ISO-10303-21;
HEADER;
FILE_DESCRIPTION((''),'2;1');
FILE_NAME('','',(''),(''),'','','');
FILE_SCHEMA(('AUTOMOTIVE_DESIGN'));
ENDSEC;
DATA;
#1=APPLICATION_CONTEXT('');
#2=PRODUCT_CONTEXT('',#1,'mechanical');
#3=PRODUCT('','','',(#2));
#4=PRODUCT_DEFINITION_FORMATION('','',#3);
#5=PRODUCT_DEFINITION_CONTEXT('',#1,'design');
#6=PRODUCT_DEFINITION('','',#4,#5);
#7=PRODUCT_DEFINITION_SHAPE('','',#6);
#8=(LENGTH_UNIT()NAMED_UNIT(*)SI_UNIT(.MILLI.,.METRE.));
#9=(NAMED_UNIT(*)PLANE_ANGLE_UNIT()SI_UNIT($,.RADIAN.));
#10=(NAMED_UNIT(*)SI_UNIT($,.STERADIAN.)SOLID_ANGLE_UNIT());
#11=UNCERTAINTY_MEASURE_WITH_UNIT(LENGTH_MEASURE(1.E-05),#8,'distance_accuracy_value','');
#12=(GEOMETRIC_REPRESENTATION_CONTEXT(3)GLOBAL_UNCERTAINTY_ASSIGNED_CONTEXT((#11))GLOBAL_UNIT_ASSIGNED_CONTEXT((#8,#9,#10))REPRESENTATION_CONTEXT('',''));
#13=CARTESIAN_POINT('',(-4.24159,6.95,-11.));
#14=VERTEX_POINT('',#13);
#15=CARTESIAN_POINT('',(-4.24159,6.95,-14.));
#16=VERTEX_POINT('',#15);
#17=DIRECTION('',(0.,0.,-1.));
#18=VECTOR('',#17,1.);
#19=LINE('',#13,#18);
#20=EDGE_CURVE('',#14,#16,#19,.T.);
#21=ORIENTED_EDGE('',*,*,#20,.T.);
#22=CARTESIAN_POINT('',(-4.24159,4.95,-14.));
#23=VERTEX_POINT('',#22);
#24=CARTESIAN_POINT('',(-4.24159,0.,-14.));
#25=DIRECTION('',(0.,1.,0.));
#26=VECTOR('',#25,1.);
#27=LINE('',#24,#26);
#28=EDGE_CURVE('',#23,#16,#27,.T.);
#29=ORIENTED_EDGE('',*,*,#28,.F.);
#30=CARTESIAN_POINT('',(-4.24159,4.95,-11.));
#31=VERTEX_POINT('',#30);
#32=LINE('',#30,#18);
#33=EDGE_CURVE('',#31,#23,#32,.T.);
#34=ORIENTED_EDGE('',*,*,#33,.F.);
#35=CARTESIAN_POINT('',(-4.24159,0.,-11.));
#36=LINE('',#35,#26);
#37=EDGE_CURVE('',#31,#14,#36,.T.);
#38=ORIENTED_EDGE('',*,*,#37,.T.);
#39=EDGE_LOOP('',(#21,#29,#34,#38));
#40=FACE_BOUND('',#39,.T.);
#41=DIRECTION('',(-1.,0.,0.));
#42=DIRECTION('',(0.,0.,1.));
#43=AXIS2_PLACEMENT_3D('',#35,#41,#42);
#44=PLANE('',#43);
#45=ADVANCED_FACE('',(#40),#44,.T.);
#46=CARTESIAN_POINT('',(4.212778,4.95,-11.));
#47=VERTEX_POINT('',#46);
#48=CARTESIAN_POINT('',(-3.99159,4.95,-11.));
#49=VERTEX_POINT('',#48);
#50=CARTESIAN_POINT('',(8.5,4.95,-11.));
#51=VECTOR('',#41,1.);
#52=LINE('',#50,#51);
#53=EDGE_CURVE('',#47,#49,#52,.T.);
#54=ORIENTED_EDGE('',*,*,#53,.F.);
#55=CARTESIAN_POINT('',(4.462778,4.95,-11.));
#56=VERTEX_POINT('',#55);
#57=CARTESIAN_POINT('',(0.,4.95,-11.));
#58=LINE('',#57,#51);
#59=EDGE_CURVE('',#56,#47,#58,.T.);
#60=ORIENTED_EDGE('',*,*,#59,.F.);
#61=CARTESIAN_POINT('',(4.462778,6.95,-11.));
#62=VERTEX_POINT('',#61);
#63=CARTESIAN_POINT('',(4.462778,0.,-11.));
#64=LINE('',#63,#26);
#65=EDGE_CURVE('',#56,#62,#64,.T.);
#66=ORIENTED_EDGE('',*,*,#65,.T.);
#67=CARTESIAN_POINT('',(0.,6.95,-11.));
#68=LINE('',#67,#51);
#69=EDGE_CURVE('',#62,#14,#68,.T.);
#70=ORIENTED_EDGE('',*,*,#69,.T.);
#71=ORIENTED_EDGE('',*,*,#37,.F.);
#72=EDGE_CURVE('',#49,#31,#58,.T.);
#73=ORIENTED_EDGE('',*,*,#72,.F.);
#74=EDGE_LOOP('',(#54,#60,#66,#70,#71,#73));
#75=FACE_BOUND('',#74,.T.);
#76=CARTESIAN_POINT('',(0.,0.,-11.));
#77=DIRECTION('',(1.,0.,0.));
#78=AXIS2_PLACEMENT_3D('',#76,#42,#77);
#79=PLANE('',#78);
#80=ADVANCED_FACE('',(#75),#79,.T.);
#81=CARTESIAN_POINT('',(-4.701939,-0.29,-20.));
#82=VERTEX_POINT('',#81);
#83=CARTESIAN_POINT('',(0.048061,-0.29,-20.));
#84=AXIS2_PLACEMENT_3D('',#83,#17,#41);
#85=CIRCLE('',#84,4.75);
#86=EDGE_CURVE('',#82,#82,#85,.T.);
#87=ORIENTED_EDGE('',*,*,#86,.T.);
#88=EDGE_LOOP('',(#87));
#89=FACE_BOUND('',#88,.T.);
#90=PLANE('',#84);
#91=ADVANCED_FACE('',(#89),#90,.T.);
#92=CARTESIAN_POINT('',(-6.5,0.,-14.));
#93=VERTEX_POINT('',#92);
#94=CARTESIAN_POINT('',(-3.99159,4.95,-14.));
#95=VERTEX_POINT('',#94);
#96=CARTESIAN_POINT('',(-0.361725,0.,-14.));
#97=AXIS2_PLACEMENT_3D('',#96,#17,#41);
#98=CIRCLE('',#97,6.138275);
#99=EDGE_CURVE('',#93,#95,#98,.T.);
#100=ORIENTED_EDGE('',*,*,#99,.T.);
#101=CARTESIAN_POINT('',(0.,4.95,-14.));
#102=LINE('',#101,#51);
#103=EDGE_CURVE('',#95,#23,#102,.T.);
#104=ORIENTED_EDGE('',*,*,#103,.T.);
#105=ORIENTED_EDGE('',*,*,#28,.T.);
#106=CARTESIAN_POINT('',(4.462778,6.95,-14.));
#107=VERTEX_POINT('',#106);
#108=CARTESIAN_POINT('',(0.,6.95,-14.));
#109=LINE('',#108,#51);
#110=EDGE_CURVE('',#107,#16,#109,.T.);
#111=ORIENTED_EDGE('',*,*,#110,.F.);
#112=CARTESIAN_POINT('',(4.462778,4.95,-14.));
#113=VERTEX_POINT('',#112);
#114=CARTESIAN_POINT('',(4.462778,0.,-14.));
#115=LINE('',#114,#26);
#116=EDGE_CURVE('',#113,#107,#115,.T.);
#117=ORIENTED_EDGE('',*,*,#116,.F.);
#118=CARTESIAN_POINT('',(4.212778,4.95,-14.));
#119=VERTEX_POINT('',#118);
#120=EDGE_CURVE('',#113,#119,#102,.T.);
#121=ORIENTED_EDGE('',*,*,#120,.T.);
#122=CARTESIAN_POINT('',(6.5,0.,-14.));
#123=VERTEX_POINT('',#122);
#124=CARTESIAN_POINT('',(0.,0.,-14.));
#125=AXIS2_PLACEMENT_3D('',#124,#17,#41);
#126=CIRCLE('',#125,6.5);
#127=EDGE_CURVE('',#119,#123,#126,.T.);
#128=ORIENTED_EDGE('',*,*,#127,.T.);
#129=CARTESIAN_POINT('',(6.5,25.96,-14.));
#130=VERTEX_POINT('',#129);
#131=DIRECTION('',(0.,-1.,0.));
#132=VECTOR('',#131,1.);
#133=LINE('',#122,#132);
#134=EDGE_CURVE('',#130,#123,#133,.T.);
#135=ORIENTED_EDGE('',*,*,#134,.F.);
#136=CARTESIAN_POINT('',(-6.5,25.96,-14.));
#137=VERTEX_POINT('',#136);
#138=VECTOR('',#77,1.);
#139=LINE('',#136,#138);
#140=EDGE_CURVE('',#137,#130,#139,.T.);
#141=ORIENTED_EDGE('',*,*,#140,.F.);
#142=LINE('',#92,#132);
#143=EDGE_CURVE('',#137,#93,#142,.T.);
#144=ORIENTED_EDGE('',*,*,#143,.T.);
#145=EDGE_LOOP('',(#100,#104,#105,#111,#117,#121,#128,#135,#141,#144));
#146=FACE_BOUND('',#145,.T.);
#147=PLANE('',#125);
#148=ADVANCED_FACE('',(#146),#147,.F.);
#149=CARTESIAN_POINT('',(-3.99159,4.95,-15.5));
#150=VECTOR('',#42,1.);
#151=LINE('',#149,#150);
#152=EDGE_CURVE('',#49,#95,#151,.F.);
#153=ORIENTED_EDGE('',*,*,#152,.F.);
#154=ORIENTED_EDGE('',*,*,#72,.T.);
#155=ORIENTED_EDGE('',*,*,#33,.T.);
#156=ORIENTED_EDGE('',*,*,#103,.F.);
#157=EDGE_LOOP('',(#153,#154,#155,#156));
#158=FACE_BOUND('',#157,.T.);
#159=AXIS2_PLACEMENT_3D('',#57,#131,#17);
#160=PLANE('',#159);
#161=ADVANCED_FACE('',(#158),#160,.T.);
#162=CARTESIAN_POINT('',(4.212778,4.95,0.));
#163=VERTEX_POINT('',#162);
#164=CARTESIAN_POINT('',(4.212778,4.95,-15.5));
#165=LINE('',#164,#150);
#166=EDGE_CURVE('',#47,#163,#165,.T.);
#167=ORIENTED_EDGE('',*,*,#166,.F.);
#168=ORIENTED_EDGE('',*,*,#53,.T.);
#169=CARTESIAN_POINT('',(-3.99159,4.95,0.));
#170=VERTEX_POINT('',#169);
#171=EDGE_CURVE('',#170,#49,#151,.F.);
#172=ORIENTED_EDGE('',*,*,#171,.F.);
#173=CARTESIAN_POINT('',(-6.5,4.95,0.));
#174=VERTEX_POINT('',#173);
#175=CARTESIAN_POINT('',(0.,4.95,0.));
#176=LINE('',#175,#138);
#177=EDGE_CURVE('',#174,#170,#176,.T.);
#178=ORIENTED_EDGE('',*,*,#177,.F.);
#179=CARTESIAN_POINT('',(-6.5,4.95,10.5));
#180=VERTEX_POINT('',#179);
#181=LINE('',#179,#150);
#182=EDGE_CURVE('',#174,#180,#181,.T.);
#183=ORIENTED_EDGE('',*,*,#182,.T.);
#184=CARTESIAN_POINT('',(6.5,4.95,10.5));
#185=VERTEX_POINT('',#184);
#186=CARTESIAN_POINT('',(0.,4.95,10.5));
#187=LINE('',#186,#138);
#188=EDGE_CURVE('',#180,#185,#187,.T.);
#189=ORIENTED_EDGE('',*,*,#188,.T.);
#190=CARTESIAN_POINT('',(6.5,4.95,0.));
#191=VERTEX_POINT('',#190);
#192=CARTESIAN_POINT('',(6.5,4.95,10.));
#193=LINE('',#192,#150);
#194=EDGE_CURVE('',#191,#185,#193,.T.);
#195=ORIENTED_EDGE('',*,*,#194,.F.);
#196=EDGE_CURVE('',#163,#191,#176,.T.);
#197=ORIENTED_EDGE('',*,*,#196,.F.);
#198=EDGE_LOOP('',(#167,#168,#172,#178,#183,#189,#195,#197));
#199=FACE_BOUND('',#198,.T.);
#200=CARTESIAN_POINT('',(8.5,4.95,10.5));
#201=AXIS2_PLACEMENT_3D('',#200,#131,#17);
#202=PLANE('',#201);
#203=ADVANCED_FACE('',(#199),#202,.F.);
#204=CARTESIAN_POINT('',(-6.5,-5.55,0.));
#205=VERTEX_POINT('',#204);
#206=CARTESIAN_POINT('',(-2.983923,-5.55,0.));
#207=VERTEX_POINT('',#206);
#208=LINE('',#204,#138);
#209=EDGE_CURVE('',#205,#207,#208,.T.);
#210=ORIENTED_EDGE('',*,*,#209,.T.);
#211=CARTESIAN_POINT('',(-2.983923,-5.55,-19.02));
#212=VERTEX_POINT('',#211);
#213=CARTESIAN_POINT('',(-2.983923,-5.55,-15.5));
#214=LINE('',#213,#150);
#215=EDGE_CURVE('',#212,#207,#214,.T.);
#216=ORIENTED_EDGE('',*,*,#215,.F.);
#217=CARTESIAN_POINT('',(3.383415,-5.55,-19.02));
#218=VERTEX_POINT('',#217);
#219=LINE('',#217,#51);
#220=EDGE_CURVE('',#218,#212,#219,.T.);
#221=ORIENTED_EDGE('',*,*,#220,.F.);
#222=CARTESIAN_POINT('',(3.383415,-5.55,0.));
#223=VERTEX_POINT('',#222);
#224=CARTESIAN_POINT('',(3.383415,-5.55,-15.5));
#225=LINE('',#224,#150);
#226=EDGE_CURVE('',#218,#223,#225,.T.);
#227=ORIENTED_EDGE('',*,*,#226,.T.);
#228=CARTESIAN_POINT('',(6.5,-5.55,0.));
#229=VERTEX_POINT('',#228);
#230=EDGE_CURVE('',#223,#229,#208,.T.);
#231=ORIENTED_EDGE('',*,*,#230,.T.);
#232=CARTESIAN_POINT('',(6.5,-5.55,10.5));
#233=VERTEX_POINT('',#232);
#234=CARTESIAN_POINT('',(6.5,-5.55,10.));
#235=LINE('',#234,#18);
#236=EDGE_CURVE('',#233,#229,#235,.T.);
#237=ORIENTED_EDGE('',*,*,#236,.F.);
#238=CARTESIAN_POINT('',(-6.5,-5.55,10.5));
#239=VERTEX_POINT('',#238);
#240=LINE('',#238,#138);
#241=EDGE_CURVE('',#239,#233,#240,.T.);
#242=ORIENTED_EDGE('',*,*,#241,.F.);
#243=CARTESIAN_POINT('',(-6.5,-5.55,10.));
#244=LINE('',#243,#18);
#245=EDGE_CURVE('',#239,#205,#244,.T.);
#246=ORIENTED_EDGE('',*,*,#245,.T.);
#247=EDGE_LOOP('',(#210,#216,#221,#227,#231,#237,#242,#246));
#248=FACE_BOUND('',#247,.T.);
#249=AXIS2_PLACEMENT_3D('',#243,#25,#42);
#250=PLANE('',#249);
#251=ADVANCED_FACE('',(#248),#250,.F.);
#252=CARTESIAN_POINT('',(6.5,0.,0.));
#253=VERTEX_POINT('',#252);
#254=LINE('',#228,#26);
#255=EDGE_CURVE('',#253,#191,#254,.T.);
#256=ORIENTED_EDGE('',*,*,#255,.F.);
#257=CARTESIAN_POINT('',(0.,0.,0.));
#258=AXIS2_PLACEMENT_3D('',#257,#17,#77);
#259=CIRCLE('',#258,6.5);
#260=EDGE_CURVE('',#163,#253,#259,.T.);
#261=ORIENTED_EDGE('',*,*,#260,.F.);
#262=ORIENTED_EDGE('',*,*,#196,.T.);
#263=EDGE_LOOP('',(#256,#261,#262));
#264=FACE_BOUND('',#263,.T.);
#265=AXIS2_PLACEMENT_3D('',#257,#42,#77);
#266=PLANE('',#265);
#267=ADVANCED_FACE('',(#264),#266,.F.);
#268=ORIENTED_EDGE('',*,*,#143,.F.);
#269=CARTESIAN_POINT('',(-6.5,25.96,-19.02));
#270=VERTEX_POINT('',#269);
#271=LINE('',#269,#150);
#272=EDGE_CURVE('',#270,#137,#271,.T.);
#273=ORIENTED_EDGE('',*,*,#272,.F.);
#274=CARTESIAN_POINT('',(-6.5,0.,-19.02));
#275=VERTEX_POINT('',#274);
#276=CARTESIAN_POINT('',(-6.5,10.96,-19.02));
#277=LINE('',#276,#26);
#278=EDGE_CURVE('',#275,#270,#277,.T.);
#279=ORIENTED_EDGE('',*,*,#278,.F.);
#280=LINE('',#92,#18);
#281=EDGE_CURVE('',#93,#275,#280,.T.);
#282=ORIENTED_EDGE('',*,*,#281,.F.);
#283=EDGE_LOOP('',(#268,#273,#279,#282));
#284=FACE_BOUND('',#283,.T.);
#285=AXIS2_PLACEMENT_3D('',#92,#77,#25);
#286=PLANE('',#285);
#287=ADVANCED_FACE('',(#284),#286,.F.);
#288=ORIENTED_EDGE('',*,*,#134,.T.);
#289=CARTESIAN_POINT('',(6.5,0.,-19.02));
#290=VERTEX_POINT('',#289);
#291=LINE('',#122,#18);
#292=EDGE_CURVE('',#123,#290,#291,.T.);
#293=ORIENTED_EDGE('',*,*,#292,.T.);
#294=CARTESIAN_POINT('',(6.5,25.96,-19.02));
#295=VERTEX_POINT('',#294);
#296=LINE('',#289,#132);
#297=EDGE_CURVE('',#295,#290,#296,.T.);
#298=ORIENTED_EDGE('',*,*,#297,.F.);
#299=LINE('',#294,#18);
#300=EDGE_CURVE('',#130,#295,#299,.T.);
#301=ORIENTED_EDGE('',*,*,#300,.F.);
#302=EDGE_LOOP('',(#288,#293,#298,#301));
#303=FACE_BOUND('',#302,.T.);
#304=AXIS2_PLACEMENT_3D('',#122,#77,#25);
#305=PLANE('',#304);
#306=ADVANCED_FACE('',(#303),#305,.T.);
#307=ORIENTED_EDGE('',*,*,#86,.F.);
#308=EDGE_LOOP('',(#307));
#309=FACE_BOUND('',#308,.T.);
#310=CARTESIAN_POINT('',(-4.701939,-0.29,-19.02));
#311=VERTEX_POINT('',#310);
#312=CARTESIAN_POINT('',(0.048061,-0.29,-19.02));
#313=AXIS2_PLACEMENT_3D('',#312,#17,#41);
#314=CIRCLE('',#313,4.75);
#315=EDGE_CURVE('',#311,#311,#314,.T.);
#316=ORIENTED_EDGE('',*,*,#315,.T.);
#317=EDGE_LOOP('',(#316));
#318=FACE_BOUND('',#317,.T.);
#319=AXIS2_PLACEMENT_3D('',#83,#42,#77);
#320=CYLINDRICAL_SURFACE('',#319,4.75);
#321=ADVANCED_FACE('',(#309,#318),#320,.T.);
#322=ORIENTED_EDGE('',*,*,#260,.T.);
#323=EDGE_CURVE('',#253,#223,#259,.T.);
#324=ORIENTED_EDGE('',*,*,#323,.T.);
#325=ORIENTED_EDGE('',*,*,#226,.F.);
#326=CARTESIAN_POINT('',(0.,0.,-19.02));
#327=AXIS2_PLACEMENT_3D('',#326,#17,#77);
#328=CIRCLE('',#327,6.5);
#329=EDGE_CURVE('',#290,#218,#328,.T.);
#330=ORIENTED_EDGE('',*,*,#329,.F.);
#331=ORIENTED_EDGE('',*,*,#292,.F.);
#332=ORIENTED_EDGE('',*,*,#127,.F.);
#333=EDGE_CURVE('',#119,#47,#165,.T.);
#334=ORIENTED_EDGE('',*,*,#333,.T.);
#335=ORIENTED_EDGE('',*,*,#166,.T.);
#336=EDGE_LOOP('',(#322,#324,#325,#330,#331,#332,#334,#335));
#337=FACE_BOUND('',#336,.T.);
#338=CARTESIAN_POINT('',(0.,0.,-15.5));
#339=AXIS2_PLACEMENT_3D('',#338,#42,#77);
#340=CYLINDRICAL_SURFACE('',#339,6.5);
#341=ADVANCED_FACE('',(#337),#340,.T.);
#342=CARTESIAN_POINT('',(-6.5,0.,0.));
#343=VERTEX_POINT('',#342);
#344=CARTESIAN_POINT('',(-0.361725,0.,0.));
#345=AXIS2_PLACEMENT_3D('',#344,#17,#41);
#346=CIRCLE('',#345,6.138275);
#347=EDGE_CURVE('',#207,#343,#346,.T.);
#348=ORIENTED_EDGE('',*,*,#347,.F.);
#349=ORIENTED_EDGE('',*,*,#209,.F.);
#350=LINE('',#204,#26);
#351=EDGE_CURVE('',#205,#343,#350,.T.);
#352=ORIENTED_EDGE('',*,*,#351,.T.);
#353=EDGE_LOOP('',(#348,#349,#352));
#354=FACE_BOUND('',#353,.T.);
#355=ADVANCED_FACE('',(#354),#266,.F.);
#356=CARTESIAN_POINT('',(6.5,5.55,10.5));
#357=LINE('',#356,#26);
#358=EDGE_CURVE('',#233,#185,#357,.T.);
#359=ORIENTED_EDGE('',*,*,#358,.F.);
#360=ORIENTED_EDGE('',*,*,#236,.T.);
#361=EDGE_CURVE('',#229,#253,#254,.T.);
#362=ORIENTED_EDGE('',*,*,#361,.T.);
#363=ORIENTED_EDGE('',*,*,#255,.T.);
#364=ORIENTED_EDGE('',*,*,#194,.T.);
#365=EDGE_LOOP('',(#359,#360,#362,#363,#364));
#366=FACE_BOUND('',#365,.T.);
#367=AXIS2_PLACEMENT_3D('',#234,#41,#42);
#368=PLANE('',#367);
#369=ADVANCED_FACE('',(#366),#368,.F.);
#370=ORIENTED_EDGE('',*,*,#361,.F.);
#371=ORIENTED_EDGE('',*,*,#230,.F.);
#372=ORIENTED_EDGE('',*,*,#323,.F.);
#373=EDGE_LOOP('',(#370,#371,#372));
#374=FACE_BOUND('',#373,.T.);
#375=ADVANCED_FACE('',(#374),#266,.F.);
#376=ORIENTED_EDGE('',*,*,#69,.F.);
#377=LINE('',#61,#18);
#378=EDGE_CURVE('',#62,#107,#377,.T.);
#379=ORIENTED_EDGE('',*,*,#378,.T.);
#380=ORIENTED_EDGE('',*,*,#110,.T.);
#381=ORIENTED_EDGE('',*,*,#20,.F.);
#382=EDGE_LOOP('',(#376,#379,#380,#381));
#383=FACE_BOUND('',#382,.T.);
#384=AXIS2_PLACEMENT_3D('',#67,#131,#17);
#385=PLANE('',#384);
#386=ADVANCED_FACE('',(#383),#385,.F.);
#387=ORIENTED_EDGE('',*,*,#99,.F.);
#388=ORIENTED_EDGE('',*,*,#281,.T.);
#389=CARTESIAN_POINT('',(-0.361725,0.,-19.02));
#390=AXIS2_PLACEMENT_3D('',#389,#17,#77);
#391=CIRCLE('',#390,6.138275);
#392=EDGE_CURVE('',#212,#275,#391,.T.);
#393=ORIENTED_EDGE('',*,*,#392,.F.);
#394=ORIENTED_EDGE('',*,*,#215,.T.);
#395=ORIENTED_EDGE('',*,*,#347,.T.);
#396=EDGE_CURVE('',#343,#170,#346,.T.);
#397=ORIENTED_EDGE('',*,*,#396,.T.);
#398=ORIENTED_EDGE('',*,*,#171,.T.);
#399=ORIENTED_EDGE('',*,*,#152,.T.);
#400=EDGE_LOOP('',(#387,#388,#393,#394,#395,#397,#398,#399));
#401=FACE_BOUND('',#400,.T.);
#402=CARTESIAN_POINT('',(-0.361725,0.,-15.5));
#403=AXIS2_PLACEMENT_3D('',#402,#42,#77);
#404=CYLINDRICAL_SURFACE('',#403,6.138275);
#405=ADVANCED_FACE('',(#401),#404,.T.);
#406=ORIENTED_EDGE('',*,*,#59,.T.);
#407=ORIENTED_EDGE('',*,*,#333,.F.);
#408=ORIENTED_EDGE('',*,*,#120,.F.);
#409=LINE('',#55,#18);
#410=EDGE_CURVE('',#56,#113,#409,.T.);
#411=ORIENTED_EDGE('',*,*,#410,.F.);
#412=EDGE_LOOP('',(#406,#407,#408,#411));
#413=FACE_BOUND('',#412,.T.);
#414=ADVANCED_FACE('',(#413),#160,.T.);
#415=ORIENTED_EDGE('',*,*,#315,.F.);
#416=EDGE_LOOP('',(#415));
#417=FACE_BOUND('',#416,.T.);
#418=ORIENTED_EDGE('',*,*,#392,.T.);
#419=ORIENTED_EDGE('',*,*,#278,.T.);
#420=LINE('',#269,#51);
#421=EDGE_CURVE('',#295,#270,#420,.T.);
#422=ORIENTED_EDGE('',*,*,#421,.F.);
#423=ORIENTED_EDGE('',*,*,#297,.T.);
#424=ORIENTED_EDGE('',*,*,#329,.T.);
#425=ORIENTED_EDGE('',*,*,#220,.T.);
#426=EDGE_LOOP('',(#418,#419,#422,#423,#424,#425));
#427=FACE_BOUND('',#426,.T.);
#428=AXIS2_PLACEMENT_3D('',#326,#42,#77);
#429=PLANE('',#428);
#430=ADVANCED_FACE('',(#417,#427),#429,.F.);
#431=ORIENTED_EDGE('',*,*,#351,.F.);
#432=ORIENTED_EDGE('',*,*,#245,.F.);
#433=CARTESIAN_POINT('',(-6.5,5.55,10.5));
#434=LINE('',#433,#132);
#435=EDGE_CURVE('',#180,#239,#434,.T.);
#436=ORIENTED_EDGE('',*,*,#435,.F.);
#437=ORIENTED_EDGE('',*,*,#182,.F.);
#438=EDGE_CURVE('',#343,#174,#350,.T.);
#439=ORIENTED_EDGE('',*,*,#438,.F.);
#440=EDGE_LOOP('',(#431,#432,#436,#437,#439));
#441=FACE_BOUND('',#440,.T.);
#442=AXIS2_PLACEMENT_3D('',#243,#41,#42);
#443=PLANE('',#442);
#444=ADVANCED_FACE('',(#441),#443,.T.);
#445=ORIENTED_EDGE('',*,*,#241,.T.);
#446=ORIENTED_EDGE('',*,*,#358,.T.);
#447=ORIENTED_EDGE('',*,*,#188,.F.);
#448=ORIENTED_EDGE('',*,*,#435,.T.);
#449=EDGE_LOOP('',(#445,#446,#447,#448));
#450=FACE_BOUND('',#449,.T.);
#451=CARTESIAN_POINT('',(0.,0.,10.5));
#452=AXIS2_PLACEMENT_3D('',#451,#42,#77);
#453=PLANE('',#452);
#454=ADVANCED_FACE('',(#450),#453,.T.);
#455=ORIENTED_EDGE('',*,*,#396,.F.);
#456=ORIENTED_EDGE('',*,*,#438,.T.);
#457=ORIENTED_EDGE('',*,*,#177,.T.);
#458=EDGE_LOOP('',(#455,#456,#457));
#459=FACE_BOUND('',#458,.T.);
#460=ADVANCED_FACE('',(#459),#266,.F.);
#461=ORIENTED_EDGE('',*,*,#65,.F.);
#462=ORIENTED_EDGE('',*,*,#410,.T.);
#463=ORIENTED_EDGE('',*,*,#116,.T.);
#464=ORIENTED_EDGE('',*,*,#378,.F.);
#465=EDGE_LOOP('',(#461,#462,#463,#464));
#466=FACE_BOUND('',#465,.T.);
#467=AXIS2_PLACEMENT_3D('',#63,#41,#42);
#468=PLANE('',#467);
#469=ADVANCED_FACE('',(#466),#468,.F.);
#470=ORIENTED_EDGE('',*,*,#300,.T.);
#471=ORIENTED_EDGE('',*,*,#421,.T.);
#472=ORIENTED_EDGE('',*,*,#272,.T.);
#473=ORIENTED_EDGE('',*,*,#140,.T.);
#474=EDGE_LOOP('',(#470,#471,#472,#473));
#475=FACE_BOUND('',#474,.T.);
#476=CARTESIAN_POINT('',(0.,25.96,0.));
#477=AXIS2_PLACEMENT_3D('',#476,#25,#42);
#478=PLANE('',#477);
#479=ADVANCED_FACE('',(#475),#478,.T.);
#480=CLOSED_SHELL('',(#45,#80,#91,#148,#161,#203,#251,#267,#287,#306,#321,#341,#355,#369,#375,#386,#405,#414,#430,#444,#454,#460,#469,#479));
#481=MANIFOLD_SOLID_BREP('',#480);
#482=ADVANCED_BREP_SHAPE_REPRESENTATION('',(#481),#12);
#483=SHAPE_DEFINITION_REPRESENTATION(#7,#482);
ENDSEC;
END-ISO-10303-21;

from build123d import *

# Parameters (mm, degrees)
SKETCH2_W            = 13
SKETCH2_H            = 11.1
SKETCH2_W_2          = 12.5
SKETCH2_H_2          = 10.6
BOSS_EXTRUDE1_DEPTH  = 10
SKETCH3_W            = 12.5
SKETCH3_H            = 10.6
BOSS_EXTRUDE2_DEPTH  = 10
BOSS_EXTRUDE3_DEPTH  = 15.5
BOSS_EXTRUDE4_DEPTH  = 1.5
BOSS_EXTRUDE5_DEPTH  = 3.52
SKETCH9_W            = 13
SKETCH9_H            = 11.1
BOSS_EXTRUDE7_DEPTH  = 0.5
SKETCH10_W           = 24.5
SKETCH10_H           = 0.6
CUT_EXTRUDE1_DEPTH   = 15
BOSS_EXTRUDE8_DEPTH  = 3
SKETCH13_R           = 4.75
BOSS_EXTRUDE9_DEPTH  = 0.98
SKETCH15_W           = 13
SKETCH15_H           = 5.02
BOSS_EXTRUDE11_DEPTH = 15


with BuildPart() as part:
    # Sketch2 → Boss-Extrude1 (new body)
    with BuildSketch(Plane.XY):
        Rectangle(SKETCH2_W, SKETCH2_H)
        Rectangle(SKETCH2_W_2, SKETCH2_H_2, mode=Mode.SUBTRACT)
    extrude(amount=BOSS_EXTRUDE1_DEPTH)

    # Sketch3 → Boss-Extrude2 (add)
    with BuildSketch(Plane(origin=(0, 0, 0), x_dir=(-1, 0, 0), z_dir=(0, 0, -1))):
        Rectangle(SKETCH3_W, SKETCH3_H)
    extrude(amount=-BOSS_EXTRUDE2_DEPTH)

    # Sketch4 → Boss-Extrude3 (add)
    with BuildSketch(Plane(origin=(0, 0, 0), x_dir=(-1, 0, 0), z_dir=(0, 0, -1))):
        with BuildLine():
            Line((-3.383415434, -5.55), (2.983923173, -5.55))
            ThreePointArc((2.983923173, -5.55), (6.5, 0), (2.983923173, 5.55))
            Line((2.983923173, 5.55), (-3.383415434, 5.55))
            ThreePointArc((-3.383415434, 5.55), (-6.5, 0), (-3.383415434, -5.55))
        make_face()
    extrude(amount=BOSS_EXTRUDE3_DEPTH)

    # Sketch5 → Boss-Extrude4 (add)
    with BuildSketch(Plane(origin=(0, 0, -15.5), x_dir=(-1, 0, 0), z_dir=(0, 0, -1))):
        with BuildLine():
            Line((6.5, 0), (-6.5, 0))
            ThreePointArc((-6.5, 0), (-5.667547985, -3.182593257), (-3.383415434, -5.55))
            Line((-3.383415434, -5.55), (2.983923173, -5.55))
            ThreePointArc((2.983923173, -5.55), (5.547001926, -3.285015078), (6.5, 0))
        make_face()
        with BuildLine():
            Line((6.5, 10.96), (-6.5, 10.96))
            Line((-6.5, 10.96), (-6.5, 0))
            ThreePointArc((-6.5, 0), (-5.667547985, 3.182593257), (-3.383415434, 5.55))
            Line((-3.383415434, 5.55), (2.983923173, 5.55))
            ThreePointArc((2.983923173, 5.55), (5.547001926, 3.285015078), (6.5, 0))
            Line((6.5, 0), (6.5, 10.96))
        make_face()
    extrude(amount=-BOSS_EXTRUDE4_DEPTH)

    # Sketch6 → Boss-Extrude5 (add)
    with BuildSketch(Plane(origin=(0, 0, -15.5), x_dir=(-1, 0, 0), z_dir=(0, 0, -1))):
        with BuildLine():
            Line((-6.5, 0), (-6.5, 10.96))
            Line((-6.5, 10.96), (6.5, 10.96))
            Line((6.5, 10.96), (6.5, 0))
            ThreePointArc((6.5, 0), (5.547001926, -3.285015078), (2.983923173, -5.55))
            Line((2.983923173, -5.55), (-3.383415434, -5.55))
            ThreePointArc((-3.383415434, -5.55), (-5.667547985, -3.182593257), (-6.5, 0))
        make_face()
    extrude(amount=BOSS_EXTRUDE5_DEPTH)

    # Sketch9 → Boss-Extrude7 (add)
    with BuildSketch(Plane.XY.offset(10)):
        Rectangle(SKETCH9_W, SKETCH9_H)
    extrude(amount=BOSS_EXTRUDE7_DEPTH)

    # Sketch10 → Cut-Extrude1 (cut)
    with BuildSketch(Plane.ZY.offset(6.5)):
        with Locations((-1.75, 5.25)):
            Rectangle(SKETCH10_W, SKETCH10_H)
    extrude(amount=-CUT_EXTRUDE1_DEPTH, mode=Mode.SUBTRACT)

    # Sketch11 → Boss-Extrude8 (add)
    with BuildSketch(Plane.XY.offset(-14)):
        Polygon((-3.991590331, 4.95), (0.110593925, 4.95), (0.110593925, 6.95), (-4.241590331, 6.95), (-4.241590331, 4.95), align=None)
        Polygon((4.212778181, 4.95), (4.462778181, 4.95), (4.462778181, 6.95), (0.110593925, 6.95), (0.110593925, 4.95), align=None)
    extrude(amount=BOSS_EXTRUDE8_DEPTH)

    # Sketch13 → Boss-Extrude9 (add)
    with BuildSketch(Plane(origin=(0, 0, -19.02), x_dir=(-1, 0, 0), z_dir=(0, 0, -1))):
        with Locations((-0.048060538, -0.29)):
            Circle(SKETCH13_R)
    extrude(amount=BOSS_EXTRUDE9_DEPTH)

    # Sketch15 → Boss-Extrude11 (add)
    with BuildSketch(Plane(origin=(0, 10.96, 0), x_dir=(1, 0, 0), z_dir=(0, 1, 0))):
        with Locations((0, 16.51)):
            Rectangle(SKETCH15_W, SKETCH15_H)
    extrude(amount=BOSS_EXTRUDE11_DEPTH)


solid = part.part
